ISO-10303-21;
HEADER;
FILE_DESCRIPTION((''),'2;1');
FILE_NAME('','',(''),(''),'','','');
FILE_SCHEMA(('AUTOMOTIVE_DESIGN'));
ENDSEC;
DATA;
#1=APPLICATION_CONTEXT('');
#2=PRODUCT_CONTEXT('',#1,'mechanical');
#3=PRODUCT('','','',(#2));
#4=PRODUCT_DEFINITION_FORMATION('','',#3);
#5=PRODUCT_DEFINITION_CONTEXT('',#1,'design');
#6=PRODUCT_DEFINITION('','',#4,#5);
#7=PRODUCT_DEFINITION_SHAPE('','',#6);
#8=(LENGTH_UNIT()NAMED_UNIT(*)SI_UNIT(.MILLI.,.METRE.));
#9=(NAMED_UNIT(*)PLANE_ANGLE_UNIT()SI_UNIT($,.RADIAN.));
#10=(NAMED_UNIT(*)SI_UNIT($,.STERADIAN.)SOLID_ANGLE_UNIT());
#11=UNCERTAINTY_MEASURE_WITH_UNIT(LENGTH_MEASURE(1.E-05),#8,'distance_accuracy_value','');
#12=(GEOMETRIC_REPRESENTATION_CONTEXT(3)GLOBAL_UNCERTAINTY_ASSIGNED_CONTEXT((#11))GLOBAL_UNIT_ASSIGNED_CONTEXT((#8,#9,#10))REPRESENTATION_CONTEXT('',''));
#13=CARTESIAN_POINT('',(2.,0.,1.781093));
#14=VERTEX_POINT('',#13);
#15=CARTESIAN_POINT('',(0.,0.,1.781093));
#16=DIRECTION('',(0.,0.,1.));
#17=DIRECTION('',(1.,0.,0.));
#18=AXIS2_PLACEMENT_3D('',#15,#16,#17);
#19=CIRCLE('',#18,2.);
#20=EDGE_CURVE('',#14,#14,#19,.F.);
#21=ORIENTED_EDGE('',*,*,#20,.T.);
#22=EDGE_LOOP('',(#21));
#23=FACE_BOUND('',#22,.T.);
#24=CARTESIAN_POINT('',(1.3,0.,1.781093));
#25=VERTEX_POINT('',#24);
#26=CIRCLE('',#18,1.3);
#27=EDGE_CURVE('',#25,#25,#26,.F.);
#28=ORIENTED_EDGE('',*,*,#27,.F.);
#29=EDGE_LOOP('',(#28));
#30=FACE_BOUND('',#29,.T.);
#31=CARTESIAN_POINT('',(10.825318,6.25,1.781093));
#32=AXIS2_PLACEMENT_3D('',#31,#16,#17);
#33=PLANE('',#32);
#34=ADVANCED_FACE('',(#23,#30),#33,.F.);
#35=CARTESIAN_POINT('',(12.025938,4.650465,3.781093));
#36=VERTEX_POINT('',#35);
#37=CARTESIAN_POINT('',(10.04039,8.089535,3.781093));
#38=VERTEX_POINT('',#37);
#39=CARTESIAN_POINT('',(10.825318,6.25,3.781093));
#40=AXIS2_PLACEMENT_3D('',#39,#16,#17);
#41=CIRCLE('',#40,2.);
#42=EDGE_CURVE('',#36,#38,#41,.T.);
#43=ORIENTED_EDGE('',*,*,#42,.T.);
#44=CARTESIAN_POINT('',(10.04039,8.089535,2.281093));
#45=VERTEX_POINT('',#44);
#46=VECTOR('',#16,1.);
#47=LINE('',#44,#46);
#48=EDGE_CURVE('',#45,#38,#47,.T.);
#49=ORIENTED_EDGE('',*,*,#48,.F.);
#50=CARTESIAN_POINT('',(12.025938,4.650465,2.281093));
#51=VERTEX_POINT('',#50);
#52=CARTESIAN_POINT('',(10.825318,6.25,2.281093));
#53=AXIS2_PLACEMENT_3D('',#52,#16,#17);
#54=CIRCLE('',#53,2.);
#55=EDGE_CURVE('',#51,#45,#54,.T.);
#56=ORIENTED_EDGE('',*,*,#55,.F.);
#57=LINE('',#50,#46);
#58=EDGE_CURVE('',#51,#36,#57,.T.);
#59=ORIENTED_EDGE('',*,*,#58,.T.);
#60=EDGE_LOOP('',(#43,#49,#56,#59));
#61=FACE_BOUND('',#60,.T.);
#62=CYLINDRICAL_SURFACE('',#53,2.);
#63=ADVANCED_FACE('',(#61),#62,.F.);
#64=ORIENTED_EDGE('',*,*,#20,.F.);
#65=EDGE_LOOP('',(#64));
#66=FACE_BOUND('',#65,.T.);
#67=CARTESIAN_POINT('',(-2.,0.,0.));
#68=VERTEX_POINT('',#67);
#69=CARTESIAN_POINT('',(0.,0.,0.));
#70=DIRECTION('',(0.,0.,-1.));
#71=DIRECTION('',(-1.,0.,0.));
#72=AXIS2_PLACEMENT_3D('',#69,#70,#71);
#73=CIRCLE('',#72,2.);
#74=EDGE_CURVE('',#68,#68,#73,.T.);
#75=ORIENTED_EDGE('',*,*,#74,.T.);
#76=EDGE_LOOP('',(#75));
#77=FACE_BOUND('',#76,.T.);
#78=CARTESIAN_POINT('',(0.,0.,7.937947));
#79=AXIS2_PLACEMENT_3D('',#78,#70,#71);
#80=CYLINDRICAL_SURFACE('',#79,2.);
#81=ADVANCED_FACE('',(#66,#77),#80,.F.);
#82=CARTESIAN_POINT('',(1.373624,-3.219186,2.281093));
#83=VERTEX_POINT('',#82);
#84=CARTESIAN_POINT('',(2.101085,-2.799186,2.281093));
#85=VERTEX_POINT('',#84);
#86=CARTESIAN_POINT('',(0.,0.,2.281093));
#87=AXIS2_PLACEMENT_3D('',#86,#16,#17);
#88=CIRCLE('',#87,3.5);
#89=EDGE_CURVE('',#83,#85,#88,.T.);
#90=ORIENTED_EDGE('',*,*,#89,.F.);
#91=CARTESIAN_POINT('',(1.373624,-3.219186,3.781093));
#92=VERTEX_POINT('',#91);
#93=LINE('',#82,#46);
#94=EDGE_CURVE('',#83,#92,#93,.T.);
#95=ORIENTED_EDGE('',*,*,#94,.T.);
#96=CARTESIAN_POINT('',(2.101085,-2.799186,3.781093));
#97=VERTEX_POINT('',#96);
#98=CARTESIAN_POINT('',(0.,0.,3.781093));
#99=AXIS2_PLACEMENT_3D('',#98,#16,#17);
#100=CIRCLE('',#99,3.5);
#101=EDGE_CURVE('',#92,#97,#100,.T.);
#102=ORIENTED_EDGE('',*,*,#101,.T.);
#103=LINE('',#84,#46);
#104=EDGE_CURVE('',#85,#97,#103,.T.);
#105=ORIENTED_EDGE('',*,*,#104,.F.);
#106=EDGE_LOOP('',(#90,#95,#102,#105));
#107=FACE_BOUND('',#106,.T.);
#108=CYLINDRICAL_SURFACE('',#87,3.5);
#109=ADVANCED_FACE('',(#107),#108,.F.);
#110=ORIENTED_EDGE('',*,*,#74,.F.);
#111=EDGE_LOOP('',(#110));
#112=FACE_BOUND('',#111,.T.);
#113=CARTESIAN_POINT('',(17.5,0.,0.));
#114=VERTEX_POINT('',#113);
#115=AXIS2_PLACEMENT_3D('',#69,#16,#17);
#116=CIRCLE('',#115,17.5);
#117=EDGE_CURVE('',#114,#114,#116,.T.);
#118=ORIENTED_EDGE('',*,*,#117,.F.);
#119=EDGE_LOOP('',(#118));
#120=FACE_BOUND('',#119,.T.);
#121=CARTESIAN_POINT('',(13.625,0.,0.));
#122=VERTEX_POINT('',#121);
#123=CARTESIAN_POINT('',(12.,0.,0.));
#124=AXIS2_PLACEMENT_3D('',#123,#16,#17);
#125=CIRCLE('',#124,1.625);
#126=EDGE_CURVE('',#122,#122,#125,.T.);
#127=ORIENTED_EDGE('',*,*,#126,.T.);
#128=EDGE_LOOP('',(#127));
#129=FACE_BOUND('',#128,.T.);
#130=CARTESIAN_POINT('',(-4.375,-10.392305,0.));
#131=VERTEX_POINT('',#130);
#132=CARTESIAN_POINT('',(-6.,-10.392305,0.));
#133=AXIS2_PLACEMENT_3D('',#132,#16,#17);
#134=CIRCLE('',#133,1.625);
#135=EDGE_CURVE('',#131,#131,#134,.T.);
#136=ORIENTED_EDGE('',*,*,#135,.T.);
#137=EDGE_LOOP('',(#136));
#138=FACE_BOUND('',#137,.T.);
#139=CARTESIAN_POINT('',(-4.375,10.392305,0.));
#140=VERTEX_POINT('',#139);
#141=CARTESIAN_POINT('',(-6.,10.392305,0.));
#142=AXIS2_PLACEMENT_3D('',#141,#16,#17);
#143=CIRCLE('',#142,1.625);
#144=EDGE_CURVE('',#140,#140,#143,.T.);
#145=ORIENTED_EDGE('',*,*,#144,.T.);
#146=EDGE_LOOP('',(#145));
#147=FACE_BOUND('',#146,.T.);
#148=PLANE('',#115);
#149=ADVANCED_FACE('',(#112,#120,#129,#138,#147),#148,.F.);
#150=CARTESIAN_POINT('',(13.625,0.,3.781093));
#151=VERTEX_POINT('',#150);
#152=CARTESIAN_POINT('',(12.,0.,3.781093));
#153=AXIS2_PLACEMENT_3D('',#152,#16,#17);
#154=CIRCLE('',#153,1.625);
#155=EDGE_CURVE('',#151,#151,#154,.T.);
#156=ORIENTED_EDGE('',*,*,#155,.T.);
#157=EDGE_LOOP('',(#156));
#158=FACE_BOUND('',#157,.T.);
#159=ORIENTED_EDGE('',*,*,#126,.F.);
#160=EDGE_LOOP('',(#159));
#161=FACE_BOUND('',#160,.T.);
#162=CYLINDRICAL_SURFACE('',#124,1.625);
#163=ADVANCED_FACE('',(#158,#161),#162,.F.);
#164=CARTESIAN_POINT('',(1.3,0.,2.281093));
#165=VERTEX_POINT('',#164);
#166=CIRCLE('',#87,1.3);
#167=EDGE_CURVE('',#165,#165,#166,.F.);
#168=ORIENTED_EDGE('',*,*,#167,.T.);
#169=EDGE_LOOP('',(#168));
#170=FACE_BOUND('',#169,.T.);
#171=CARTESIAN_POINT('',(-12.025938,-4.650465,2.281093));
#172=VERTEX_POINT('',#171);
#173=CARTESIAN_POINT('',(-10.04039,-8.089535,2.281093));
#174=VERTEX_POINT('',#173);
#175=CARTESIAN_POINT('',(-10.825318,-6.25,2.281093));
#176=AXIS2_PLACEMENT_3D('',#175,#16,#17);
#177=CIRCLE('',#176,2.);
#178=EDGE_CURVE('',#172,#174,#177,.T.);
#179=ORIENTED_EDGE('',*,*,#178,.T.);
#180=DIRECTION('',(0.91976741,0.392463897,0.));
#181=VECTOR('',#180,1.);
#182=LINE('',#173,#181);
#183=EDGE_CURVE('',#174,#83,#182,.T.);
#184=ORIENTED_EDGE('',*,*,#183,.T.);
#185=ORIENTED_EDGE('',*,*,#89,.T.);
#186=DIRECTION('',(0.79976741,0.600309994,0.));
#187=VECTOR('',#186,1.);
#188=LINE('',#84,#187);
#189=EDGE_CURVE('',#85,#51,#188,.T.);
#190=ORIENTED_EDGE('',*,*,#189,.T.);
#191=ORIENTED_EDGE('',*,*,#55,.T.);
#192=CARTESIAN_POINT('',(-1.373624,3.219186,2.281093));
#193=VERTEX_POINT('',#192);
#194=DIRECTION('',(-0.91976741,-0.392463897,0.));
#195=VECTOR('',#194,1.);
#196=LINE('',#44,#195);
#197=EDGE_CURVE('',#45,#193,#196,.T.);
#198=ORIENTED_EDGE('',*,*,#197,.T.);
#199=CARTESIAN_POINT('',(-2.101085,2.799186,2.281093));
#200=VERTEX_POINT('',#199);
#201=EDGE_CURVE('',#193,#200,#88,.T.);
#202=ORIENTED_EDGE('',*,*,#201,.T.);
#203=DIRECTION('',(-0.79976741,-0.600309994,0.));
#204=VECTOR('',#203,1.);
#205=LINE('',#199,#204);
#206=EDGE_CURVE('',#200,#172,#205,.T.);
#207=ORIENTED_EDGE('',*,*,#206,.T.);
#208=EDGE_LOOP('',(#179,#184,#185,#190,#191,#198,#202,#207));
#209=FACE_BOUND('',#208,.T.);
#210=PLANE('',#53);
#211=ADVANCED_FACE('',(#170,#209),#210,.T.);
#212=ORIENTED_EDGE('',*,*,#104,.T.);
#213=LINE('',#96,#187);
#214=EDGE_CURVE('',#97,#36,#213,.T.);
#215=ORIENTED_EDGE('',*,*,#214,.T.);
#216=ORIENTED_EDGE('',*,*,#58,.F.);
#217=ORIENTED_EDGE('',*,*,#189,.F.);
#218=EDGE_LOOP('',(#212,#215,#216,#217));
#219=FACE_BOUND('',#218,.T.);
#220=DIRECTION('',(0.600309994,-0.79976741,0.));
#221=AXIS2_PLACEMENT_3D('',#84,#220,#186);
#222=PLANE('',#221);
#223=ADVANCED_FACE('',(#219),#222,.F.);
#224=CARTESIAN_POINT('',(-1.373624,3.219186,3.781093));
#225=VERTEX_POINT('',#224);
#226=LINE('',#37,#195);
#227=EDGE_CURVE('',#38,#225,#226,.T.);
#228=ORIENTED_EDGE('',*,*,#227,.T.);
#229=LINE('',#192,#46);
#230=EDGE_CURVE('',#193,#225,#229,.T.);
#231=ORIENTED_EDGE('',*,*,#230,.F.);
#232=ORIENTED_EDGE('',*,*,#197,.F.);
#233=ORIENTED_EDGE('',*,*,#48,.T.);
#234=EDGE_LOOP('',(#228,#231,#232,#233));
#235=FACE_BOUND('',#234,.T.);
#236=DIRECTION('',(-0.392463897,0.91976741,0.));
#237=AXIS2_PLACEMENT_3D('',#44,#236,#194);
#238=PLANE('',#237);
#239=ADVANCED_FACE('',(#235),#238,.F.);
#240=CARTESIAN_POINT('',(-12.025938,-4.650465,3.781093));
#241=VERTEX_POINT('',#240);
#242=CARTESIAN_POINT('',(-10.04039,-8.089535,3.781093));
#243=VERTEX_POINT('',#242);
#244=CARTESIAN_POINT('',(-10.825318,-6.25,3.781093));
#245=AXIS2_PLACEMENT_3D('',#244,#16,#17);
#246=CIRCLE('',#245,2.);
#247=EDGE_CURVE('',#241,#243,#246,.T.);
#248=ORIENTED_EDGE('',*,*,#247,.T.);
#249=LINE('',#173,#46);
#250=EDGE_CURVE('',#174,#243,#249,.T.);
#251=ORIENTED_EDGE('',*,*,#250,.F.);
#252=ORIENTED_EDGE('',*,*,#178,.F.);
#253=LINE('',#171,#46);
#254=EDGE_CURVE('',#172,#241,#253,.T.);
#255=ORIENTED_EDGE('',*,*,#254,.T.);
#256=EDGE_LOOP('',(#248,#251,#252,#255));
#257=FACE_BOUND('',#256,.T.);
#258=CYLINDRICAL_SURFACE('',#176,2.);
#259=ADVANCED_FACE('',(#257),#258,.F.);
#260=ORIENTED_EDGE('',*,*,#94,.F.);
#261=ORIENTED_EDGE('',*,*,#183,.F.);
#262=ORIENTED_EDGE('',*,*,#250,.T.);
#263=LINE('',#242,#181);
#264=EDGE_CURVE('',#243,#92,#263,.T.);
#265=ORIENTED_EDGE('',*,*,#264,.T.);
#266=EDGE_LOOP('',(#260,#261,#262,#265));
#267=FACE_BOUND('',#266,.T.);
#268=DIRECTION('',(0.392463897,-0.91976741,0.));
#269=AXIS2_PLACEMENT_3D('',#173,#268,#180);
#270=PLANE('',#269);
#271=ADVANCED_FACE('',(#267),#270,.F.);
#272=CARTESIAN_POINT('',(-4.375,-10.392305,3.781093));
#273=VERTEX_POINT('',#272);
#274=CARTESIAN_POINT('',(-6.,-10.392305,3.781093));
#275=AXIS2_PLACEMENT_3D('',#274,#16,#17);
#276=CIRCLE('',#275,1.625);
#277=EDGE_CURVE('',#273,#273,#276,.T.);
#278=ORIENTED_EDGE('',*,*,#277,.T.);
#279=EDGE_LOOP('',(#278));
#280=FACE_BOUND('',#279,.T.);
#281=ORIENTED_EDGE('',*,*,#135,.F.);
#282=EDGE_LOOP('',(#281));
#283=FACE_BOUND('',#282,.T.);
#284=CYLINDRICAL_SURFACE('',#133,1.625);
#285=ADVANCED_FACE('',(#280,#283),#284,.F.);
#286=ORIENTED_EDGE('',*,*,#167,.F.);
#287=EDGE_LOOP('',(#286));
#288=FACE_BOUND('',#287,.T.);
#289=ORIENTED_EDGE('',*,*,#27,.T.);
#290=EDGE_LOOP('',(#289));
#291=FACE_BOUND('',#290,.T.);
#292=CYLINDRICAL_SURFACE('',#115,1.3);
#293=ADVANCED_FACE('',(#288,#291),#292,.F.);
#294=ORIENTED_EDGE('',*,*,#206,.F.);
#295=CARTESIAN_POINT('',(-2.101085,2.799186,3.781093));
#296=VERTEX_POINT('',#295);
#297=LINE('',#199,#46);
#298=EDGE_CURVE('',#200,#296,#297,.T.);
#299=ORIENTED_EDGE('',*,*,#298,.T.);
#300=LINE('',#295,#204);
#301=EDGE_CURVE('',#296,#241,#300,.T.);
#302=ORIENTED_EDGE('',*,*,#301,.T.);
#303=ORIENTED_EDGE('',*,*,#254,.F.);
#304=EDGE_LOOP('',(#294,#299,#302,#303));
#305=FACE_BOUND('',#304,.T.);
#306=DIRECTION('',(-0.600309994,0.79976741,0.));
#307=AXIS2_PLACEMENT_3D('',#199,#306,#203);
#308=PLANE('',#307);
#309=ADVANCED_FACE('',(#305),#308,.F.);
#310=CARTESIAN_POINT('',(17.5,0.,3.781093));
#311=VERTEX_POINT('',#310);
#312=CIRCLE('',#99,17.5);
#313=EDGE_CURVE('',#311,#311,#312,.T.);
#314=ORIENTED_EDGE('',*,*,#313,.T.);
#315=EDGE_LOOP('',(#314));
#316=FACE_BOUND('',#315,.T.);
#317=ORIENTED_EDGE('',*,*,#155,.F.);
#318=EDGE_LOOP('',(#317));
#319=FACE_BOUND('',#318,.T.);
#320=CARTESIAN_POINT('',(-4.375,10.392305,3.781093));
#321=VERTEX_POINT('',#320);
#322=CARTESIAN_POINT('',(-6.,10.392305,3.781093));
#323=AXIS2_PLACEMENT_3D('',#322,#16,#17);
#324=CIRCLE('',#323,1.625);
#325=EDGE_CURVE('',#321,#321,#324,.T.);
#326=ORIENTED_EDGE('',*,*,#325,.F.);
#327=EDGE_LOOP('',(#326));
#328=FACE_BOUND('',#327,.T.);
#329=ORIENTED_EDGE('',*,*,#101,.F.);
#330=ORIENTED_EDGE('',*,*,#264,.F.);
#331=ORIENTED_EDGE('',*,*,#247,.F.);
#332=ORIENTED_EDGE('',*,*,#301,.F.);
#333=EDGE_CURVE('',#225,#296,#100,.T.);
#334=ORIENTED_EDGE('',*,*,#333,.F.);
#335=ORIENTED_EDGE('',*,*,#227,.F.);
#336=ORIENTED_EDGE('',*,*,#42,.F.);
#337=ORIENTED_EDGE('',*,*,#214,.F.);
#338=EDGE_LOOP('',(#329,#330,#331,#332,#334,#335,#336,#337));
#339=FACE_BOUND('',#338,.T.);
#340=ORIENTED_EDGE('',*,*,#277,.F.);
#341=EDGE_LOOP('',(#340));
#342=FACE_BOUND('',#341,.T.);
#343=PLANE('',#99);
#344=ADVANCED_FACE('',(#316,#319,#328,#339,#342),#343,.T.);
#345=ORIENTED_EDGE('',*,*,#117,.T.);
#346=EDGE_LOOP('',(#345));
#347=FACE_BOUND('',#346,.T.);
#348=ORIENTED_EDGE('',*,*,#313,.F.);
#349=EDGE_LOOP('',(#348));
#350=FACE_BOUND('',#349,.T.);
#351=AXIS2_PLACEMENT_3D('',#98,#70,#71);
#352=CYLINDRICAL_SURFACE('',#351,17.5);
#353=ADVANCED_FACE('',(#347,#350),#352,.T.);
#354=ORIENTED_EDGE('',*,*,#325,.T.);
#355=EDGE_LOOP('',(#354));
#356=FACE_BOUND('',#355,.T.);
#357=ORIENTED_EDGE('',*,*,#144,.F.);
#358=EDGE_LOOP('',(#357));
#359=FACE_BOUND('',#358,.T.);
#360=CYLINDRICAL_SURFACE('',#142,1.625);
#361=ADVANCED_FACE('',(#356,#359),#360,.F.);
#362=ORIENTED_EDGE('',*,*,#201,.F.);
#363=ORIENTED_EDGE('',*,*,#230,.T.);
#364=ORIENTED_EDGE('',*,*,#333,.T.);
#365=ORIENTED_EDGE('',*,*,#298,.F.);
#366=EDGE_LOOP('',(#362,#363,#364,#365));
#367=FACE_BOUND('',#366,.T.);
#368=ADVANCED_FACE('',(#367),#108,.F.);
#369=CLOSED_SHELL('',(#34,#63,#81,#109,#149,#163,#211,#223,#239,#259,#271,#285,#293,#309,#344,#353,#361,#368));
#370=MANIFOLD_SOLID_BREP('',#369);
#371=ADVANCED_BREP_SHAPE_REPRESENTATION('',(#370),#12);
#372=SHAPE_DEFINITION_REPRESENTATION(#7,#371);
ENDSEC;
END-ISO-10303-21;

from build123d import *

# Parameters (mm, degrees)
SCHIZZO1_R                   = 17.5
ESTRUSIONE_ESTRUSIONE1_DEPTH = 3.781092502
SCHIZZO2_R                   = 1.625
SCHIZZO2_R_2                 = 1.3
TAGLIO_ESTRUSIONE1_DEPTH     = 4.781092502
CUT_EXTRUDE1_DEPTH           = 1.5
SCHIZZO4_R                   = 2
TAGLIO_ESTRUSIONE2_DEPTH     = 1.781093


with BuildPart() as part:
    # Schizzo1 → Estrusione-Estrusione1 (new body)
    with BuildSketch(Plane.XY):
        Circle(SCHIZZO1_R)
    extrude(amount=ESTRUSIONE_ESTRUSIONE1_DEPTH)

    # Schizzo2 → Taglio-Estrusione1 (cut, through all)
    with BuildSketch(Plane.XY.offset(3.781092502)):
        with Locations((12, 0)):
            Circle(SCHIZZO2_R)
        with Locations((-6, 10.392304845)):
            Circle(SCHIZZO2_R)
        with Locations((-6, -10.392304845)):
            Circle(SCHIZZO2_R)
        Circle(SCHIZZO2_R_2)
    extrude(amount=-TAGLIO_ESTRUSIONE1_DEPTH, mode=Mode.SUBTRACT)

    # Sketch1 → Cut-Extrude1 (cut)
    with BuildSketch(Plane.XY.offset(3.781092502)):
        with BuildLine():
            Line((2.10108498, -2.799185936), (12.025937536, 4.650465179))
            ThreePointArc((12.025937536, 4.650465179), (12.557368355, 7.25), (10.040389753, 8.089534821))
            Line((10.040389753, 8.089534821), (-1.373623641, 3.219185936))
            ThreePointArc((-1.373623641, 3.219185936), (-1.75, 3.031088913), (-2.10108498, 2.799185936))
            Line((-2.10108498, 2.799185936), (-12.025937536, -4.650465179))
            ThreePointArc((-12.025937536, -4.650465179), (-12.557368355, -7.25), (-10.040389753, -8.089534821))
            Line((-10.040389753, -8.089534821), (1.373623641, -3.219185936))
            ThreePointArc((1.373623641, -3.219185936), (1.75, -3.031088913), (2.10108498, -2.799185936))
        make_face()
    extrude(amount=-CUT_EXTRUDE1_DEPTH, mode=Mode.SUBTRACT)

    # Schizzo4 → Taglio-Estrusione2 (cut)
    with BuildSketch(Plane(origin=(0, 0, 0), x_dir=(-1, 0, 0), z_dir=(0, 0, -1))):
        Circle(SCHIZZO4_R)
    extrude(amount=-TAGLIO_ESTRUSIONE2_DEPTH, mode=Mode.SUBTRACT)


solid = part.part
